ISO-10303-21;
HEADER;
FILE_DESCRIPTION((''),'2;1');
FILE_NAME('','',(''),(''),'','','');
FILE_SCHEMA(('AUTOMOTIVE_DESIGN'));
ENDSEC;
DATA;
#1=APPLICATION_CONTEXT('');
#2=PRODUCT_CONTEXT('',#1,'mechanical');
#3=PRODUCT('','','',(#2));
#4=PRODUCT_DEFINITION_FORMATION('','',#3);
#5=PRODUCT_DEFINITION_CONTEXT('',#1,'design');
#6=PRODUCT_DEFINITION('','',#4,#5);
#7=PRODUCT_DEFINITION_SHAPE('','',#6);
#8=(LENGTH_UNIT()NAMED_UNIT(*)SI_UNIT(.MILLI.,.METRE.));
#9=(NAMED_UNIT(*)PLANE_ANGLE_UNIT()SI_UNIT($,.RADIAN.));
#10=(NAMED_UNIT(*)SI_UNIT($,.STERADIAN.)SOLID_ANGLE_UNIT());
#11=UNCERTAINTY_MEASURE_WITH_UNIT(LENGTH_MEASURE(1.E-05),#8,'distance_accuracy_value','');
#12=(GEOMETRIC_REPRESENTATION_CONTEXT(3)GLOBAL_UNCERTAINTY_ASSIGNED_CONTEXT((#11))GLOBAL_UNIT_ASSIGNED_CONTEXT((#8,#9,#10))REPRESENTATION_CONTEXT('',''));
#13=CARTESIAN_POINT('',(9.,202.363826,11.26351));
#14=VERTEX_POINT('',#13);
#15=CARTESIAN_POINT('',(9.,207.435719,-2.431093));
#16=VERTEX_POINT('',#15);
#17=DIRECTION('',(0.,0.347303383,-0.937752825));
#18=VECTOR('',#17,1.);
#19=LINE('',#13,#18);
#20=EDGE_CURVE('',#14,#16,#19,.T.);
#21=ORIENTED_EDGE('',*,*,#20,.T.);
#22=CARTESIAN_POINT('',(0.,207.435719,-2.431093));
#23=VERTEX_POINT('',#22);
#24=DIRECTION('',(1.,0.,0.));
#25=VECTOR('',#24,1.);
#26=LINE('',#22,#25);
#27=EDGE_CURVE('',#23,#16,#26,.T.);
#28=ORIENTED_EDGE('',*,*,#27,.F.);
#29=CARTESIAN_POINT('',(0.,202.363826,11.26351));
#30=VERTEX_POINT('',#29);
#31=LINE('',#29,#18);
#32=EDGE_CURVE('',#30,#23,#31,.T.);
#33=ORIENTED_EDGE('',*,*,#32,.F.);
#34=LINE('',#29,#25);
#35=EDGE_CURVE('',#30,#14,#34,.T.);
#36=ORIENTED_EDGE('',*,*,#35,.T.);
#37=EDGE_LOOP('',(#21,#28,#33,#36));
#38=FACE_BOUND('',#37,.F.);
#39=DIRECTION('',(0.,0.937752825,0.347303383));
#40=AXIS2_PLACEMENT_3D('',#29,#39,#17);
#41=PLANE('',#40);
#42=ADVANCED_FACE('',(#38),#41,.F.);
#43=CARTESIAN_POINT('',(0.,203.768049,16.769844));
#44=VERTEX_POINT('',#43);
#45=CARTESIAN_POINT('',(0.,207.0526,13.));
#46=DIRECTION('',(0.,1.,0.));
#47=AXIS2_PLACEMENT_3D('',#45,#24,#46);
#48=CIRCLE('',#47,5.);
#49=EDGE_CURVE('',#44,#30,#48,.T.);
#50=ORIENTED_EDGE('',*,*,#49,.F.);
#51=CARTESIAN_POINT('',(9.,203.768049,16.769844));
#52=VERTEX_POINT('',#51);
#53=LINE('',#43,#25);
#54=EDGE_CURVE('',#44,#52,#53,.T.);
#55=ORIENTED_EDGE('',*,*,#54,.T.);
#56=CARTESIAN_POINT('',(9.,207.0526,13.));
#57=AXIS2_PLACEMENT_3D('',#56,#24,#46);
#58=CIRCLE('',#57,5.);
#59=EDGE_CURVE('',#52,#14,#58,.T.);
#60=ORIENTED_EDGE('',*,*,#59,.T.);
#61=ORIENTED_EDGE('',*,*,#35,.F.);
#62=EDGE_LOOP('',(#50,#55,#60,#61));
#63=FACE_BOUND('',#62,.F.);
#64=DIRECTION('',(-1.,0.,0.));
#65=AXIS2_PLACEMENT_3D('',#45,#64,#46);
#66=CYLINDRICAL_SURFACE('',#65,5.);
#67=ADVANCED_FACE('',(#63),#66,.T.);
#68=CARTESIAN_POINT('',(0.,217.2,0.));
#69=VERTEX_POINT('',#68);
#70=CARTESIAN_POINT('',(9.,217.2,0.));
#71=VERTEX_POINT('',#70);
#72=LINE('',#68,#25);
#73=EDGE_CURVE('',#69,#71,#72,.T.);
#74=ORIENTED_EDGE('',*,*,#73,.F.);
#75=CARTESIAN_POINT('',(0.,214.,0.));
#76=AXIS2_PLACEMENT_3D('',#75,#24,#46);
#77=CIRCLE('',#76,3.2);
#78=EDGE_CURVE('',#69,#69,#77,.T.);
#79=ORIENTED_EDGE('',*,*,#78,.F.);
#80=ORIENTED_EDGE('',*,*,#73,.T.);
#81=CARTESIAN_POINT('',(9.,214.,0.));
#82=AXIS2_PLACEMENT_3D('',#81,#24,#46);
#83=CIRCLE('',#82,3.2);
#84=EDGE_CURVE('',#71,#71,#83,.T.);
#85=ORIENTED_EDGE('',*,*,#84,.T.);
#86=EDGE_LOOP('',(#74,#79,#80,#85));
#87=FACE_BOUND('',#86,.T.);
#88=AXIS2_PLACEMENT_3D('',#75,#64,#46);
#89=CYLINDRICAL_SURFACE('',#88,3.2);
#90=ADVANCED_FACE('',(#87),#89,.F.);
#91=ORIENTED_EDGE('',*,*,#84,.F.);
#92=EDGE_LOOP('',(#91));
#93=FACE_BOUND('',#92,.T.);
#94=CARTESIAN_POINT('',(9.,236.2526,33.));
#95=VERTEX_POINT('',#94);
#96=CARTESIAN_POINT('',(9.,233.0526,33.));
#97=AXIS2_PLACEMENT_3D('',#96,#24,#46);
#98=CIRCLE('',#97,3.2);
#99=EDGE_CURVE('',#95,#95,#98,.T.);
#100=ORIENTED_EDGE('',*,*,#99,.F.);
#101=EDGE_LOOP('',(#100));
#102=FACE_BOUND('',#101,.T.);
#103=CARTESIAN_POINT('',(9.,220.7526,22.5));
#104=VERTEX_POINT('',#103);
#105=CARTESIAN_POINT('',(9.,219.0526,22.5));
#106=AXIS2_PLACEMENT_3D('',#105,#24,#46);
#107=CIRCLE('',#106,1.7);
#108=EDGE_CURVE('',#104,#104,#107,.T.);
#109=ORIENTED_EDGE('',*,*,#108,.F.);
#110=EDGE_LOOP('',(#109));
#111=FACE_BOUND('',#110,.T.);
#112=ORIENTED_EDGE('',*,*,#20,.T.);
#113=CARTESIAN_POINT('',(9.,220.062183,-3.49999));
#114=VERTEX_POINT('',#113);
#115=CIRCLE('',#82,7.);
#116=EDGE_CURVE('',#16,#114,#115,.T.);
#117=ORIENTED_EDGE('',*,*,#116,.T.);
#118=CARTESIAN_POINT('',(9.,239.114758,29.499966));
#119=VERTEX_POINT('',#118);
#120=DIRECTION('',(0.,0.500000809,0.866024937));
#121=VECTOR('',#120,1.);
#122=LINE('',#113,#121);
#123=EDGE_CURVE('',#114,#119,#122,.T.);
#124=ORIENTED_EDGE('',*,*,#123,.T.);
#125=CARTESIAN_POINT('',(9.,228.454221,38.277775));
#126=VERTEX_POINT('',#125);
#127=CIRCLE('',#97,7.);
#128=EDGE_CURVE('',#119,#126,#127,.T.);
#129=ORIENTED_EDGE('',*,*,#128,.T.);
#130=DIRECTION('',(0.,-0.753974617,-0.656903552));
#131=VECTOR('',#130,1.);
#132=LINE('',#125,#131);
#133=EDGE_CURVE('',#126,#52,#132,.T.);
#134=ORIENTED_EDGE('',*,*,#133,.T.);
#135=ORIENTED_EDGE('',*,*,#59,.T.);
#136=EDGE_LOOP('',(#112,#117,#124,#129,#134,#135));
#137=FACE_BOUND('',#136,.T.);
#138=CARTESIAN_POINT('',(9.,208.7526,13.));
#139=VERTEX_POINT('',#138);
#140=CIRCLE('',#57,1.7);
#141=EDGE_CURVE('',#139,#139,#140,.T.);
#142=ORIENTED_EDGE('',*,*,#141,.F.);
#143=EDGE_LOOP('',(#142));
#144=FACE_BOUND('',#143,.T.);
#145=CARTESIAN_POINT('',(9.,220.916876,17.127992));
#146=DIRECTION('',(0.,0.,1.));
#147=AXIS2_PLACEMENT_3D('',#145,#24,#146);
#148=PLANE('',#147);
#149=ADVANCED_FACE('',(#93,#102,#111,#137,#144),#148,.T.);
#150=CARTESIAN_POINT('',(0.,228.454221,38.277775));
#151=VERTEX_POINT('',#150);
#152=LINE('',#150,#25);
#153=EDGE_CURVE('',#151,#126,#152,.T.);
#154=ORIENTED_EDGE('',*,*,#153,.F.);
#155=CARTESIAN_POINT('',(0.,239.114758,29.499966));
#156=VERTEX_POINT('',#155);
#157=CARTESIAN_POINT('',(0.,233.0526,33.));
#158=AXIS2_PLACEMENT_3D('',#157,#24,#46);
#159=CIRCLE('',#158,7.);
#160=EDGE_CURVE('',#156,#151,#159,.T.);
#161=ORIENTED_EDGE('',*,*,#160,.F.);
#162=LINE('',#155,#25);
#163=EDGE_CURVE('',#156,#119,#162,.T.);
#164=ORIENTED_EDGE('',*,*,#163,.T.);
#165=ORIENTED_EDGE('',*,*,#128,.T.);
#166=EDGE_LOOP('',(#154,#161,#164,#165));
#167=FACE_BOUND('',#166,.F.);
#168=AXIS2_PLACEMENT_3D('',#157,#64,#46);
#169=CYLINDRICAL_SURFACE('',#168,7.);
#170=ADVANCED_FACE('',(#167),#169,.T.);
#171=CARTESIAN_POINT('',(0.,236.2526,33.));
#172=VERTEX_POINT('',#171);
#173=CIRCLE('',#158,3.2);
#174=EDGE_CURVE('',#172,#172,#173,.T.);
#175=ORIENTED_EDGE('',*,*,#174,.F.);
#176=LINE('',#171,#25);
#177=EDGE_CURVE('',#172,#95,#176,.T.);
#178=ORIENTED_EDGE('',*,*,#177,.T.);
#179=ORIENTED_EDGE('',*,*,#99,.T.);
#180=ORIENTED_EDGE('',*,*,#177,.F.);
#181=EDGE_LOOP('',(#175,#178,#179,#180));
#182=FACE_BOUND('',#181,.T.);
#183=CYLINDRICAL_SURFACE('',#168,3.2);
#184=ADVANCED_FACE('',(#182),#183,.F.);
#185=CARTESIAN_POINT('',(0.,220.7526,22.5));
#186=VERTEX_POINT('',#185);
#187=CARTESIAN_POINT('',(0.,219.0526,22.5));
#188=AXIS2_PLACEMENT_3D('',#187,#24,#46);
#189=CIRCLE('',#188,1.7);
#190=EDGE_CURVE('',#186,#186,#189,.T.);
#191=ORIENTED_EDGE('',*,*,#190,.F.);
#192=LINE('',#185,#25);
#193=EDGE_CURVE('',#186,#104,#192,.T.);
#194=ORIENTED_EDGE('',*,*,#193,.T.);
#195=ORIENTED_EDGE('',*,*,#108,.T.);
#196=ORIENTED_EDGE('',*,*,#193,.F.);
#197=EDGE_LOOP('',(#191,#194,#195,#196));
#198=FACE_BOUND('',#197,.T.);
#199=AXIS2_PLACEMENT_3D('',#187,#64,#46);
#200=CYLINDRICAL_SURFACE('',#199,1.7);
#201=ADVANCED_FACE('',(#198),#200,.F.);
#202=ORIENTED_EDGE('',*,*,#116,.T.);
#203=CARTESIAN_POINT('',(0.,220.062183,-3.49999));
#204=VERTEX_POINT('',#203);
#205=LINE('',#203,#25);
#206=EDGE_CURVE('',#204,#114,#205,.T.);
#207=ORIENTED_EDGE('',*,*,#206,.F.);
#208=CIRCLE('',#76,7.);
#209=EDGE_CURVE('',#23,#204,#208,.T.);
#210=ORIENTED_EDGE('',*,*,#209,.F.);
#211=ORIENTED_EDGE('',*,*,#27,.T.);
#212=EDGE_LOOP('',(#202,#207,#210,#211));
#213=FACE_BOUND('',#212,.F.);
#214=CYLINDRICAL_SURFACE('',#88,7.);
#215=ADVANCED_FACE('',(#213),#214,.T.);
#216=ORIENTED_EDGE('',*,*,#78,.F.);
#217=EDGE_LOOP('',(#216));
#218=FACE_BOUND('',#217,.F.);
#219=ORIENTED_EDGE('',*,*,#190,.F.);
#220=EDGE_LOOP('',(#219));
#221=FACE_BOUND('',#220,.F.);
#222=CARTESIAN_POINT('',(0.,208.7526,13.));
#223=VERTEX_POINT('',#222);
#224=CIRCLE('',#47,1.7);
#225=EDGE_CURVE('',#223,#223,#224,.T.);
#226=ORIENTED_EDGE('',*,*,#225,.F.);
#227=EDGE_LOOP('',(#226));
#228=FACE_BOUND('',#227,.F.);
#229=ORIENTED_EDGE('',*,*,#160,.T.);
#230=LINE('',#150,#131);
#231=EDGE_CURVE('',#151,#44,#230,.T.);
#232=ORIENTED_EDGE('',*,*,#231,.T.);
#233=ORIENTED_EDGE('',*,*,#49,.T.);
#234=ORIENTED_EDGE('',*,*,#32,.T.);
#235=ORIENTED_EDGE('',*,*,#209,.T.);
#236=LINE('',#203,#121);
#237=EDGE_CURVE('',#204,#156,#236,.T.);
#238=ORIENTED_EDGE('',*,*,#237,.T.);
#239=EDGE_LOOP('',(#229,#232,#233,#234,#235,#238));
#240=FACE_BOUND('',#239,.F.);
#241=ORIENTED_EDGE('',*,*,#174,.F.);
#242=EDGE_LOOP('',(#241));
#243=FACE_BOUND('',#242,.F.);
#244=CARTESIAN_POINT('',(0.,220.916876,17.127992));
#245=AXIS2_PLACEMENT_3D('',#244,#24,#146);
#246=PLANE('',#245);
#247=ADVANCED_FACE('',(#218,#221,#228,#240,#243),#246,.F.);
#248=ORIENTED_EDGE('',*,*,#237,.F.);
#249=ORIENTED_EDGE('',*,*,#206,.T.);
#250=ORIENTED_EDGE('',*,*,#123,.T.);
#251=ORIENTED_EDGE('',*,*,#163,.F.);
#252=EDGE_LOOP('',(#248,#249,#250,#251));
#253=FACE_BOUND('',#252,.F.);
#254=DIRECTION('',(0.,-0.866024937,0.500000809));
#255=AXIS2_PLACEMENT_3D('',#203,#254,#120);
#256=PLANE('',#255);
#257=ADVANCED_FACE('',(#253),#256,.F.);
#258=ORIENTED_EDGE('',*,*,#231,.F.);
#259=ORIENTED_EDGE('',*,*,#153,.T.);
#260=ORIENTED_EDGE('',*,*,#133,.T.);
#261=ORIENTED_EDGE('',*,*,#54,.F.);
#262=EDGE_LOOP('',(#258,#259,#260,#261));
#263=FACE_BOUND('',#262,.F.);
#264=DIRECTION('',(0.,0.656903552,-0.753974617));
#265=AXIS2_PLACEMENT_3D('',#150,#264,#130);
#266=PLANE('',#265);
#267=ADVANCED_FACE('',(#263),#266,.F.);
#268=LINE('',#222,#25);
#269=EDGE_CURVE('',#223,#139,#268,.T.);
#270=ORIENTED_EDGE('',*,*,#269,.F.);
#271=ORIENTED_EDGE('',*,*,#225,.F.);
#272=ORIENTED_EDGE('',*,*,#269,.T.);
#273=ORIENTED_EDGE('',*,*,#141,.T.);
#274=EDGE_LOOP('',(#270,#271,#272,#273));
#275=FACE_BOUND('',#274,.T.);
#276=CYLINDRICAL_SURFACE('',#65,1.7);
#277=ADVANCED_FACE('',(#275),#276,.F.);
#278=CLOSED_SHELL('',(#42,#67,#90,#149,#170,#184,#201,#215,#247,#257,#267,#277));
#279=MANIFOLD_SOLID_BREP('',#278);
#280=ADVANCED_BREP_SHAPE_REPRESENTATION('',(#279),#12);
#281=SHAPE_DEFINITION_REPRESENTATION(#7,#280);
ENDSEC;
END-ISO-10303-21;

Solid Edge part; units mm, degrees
sketch "Sketch1" plane through (0, 0, 0) normal (1, 0, 0) x (0, 1, 0)
  circle A0 centre (233.0526, 33) radius 3.2
  circle A1 centre (214, 0) radius 3.2
  line L0 (220.0622, -3.5) -> (239.1147, 29.5)
  line L1 (228.4542, 38.2778) -> (203.768, 16.7699)
  line L2 (202.3638, 11.2635) -> (207.4357, -2.4311)
  arc A2 (207.4357, -2.4311) -> (220.0622, -3.5) centre (214, 0) ccw
  arc A3 (239.1147, 29.5) -> (228.4542, 38.2778) centre (233.0526, 33) ccw
  arc A4 (203.768, 16.7699) -> (202.3638, 11.2635) centre (207.0526, 13) ccw
  circle A5 centre (207.0526, 13) radius 1.7
  circle A6 centre (219.0526, 22.5) radius 1.7
extrude "Protrusion1" add sketch "Sketch1" along normal blind 9
properties material "ABS Plastic, high impact"
